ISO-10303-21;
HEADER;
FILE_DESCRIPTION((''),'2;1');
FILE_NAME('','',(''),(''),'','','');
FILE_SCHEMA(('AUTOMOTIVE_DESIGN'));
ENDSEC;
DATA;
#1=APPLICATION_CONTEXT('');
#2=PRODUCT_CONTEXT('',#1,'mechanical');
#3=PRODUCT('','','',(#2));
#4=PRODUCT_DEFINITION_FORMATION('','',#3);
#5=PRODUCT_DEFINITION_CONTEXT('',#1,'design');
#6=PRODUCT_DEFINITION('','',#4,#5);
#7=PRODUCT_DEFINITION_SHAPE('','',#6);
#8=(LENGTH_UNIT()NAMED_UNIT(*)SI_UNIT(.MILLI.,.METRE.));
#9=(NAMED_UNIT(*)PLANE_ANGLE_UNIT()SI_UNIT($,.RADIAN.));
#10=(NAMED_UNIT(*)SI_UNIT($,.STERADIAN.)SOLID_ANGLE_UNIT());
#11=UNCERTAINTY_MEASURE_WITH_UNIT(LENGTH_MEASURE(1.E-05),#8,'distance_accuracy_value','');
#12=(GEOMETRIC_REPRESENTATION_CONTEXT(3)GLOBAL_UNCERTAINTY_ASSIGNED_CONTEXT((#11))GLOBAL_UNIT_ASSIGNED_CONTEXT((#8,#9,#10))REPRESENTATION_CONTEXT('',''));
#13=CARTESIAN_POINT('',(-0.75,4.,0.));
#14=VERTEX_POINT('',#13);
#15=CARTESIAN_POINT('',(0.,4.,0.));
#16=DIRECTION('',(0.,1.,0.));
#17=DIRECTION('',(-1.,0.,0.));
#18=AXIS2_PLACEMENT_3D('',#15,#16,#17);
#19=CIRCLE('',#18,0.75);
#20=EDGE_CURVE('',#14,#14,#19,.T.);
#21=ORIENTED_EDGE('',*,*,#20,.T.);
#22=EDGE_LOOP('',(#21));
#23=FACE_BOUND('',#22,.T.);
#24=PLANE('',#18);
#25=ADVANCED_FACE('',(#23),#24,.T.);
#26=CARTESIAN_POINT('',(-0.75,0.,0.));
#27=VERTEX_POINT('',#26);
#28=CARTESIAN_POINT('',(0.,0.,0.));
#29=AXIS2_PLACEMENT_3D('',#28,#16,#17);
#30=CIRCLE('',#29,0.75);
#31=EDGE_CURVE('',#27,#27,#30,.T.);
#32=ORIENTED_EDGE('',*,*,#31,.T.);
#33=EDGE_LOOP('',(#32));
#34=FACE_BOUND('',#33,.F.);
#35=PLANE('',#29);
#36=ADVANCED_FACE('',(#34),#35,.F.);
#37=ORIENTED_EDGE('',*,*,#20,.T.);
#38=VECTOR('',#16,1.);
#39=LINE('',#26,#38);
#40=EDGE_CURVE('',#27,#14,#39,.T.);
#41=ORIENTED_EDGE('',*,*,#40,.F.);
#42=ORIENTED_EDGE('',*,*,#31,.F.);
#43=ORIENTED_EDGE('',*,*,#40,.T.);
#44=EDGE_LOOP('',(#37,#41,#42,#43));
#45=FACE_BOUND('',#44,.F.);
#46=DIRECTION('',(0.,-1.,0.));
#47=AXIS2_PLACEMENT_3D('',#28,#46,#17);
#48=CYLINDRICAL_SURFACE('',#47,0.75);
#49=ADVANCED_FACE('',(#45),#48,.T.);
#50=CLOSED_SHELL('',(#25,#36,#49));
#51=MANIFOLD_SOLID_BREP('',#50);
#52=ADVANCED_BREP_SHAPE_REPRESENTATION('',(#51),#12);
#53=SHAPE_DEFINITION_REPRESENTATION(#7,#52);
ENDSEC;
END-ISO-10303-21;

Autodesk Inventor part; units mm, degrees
ref_plane "YZ Plane" through (0, 0, 0) normal (1, 0, 0) x (0, 1, 0)
ref_plane "XZ Plane" through (0, 0, 0) normal (0, 1, 0) x (-1, 0, 0)
ref_plane "XY Plane" through (0, 0, 0) normal (0, 0, 1) x (1, 0, 0)
sketch "Sketch1" plane through (0, 0, 0) normal (0, 1, 0) x (-1, 0, 0)
  circle A0 centre (0, 0) radius 0.75
  dimension "d0" = 1.5
extrude "Extrusion1" add sketch "Sketch1" along normal blind 4
properties material "Steel, Mild"
